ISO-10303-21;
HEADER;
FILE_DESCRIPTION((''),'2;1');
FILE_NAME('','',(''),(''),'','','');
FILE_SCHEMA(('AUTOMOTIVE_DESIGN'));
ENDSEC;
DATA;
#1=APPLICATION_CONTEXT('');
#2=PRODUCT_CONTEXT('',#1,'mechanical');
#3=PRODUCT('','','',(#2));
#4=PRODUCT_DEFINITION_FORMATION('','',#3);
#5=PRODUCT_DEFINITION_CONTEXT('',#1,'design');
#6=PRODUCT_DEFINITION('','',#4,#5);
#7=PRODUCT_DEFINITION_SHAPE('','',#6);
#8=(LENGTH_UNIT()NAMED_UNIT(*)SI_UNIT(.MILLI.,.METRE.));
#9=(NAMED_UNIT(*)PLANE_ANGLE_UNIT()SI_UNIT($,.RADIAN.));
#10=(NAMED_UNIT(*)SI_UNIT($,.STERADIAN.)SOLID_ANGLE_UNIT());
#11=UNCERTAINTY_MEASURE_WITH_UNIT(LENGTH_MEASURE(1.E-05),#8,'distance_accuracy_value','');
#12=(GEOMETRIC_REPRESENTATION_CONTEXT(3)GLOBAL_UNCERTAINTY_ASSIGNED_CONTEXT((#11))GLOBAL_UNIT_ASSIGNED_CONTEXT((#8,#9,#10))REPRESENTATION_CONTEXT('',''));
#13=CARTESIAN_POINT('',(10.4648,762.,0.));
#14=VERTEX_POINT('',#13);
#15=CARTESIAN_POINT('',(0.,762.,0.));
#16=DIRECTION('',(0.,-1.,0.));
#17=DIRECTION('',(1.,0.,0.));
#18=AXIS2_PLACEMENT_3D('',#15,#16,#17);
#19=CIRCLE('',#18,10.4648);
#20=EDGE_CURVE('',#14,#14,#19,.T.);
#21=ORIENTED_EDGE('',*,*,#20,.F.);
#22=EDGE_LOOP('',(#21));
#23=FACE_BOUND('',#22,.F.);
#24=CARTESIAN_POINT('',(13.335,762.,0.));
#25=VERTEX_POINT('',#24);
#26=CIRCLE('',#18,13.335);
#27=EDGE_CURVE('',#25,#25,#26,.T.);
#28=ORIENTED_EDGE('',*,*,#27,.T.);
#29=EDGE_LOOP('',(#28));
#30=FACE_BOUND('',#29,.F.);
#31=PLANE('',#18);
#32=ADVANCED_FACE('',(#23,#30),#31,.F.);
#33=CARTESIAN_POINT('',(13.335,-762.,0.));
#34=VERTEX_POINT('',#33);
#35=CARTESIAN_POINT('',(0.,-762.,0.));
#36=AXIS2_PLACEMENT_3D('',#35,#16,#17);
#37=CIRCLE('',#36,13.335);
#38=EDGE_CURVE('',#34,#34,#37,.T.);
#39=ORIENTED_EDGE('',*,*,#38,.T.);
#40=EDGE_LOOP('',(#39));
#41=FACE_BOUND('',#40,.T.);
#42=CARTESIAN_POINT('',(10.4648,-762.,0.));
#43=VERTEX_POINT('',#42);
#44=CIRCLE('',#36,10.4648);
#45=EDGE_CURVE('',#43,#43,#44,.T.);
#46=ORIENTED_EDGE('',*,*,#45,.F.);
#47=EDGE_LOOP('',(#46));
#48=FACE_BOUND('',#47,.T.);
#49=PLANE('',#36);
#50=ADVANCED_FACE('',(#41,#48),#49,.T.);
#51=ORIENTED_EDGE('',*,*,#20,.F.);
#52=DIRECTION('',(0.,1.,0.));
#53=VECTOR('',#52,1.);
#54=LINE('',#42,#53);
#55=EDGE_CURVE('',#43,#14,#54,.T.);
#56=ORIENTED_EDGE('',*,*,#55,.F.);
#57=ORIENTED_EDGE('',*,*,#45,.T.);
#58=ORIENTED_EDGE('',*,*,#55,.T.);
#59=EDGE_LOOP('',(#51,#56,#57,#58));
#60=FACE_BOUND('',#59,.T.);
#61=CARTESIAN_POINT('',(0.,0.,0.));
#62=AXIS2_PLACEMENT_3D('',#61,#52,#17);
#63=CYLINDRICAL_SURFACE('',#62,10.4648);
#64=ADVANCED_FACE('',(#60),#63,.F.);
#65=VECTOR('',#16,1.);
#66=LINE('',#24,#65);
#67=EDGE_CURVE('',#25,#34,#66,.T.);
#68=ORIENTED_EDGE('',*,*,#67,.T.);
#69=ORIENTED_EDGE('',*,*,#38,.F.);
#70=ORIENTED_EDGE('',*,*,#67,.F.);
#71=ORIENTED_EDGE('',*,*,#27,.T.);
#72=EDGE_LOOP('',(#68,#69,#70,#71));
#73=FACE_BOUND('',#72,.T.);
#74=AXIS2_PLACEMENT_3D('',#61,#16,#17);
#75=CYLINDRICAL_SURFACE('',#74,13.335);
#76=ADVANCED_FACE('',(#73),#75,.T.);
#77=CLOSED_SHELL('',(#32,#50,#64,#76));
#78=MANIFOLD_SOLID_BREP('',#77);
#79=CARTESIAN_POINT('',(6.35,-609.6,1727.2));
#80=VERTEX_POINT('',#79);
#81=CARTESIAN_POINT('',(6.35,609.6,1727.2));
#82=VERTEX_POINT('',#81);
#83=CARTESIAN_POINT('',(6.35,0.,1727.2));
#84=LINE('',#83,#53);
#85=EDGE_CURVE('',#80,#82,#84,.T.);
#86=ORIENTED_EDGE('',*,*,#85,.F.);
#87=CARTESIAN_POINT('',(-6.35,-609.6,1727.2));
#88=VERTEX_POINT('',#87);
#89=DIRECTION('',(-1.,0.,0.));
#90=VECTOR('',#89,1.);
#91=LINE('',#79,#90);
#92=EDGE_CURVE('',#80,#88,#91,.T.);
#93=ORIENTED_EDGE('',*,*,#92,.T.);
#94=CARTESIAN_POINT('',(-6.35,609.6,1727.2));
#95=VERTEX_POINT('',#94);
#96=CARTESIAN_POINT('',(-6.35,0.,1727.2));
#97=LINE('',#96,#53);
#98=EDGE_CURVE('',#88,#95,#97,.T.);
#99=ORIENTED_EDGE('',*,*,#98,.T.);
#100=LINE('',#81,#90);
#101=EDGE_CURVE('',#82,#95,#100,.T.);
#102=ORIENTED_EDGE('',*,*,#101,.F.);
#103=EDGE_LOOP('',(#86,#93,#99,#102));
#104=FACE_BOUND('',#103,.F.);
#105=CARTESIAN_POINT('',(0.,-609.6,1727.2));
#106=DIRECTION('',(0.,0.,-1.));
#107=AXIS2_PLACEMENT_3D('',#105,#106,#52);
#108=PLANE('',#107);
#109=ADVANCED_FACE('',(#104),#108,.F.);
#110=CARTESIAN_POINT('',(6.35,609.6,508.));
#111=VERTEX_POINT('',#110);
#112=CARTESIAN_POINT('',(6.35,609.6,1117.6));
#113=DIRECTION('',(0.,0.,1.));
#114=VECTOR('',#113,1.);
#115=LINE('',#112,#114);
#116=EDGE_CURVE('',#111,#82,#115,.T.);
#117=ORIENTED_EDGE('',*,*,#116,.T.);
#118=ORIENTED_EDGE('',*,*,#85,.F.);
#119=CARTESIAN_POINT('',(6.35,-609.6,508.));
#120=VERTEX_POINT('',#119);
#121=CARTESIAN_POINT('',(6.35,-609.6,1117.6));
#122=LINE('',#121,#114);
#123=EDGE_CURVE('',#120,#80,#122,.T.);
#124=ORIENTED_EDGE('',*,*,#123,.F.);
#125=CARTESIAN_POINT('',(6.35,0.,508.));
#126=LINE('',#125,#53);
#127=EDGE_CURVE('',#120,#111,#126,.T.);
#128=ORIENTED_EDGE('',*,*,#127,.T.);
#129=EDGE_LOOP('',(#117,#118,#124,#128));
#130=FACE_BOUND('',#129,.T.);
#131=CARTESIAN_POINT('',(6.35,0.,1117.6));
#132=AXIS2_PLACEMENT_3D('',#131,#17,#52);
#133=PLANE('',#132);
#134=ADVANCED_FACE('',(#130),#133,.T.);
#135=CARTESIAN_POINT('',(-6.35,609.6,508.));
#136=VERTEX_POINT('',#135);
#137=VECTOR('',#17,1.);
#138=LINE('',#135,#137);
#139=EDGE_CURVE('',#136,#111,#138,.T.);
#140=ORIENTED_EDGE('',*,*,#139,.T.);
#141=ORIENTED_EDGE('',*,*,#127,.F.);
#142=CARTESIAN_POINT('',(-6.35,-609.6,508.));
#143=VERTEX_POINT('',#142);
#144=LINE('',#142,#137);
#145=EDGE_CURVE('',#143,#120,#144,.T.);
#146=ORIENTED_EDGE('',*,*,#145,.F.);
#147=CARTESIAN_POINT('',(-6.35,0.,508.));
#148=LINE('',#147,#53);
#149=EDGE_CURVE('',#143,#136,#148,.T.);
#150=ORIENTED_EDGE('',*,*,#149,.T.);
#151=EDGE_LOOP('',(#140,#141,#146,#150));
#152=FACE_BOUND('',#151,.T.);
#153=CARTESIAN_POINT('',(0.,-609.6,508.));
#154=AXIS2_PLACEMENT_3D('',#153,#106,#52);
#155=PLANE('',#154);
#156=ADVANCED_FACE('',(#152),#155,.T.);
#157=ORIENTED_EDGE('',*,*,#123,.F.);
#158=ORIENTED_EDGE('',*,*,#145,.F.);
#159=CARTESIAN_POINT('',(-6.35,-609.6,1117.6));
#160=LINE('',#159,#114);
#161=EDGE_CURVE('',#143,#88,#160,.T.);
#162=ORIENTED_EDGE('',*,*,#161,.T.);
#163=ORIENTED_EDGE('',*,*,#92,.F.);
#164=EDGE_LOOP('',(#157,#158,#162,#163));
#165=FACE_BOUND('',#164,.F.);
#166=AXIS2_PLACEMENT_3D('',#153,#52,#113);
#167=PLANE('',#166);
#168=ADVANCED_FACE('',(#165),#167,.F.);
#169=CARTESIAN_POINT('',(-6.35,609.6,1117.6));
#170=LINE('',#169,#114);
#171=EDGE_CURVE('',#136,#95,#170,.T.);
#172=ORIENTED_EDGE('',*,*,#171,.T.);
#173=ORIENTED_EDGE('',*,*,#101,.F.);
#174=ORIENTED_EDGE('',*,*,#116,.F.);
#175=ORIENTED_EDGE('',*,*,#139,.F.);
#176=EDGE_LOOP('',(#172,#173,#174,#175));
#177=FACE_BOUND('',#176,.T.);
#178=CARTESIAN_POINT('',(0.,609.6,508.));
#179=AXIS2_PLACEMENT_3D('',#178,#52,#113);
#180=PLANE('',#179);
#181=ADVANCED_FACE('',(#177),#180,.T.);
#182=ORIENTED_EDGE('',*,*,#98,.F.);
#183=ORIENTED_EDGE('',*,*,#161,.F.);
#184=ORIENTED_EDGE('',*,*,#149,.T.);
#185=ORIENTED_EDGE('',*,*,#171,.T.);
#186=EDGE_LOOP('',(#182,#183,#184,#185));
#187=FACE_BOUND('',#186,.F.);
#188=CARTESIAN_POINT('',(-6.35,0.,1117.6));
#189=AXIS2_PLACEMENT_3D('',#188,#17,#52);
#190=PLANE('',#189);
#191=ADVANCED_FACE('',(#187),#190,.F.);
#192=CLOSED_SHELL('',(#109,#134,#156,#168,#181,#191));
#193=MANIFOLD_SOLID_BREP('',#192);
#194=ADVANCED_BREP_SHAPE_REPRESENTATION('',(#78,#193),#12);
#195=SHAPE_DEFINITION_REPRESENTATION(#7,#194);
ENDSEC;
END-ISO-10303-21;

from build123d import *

# Parameters (mm, degrees)
F0_R     = 13.335
F0_R_2   = 10.4648
F1_DEPTH = 762
F2_W     = 1219.2
F2_H     = 1219.2
F3_DEPTH = 6.35


with BuildPart() as f1:
    # F0 (on Front) → F1 (new body, symmetric)
    with BuildSketch(Plane.XZ):
        Circle(F0_R)
        Circle(F0_R_2, mode=Mode.SUBTRACT)
    extrude(amount=F1_DEPTH, both=True)


with BuildPart() as f3:
    # F2 (on Right) → F3 (new body, symmetric)
    with BuildSketch(Plane.YZ):
        with Locations((0, 1117.6)):
            Rectangle(F2_W, F2_H)
    extrude(amount=F3_DEPTH, both=True)


solid = Compound([f1.part, f3.part])
